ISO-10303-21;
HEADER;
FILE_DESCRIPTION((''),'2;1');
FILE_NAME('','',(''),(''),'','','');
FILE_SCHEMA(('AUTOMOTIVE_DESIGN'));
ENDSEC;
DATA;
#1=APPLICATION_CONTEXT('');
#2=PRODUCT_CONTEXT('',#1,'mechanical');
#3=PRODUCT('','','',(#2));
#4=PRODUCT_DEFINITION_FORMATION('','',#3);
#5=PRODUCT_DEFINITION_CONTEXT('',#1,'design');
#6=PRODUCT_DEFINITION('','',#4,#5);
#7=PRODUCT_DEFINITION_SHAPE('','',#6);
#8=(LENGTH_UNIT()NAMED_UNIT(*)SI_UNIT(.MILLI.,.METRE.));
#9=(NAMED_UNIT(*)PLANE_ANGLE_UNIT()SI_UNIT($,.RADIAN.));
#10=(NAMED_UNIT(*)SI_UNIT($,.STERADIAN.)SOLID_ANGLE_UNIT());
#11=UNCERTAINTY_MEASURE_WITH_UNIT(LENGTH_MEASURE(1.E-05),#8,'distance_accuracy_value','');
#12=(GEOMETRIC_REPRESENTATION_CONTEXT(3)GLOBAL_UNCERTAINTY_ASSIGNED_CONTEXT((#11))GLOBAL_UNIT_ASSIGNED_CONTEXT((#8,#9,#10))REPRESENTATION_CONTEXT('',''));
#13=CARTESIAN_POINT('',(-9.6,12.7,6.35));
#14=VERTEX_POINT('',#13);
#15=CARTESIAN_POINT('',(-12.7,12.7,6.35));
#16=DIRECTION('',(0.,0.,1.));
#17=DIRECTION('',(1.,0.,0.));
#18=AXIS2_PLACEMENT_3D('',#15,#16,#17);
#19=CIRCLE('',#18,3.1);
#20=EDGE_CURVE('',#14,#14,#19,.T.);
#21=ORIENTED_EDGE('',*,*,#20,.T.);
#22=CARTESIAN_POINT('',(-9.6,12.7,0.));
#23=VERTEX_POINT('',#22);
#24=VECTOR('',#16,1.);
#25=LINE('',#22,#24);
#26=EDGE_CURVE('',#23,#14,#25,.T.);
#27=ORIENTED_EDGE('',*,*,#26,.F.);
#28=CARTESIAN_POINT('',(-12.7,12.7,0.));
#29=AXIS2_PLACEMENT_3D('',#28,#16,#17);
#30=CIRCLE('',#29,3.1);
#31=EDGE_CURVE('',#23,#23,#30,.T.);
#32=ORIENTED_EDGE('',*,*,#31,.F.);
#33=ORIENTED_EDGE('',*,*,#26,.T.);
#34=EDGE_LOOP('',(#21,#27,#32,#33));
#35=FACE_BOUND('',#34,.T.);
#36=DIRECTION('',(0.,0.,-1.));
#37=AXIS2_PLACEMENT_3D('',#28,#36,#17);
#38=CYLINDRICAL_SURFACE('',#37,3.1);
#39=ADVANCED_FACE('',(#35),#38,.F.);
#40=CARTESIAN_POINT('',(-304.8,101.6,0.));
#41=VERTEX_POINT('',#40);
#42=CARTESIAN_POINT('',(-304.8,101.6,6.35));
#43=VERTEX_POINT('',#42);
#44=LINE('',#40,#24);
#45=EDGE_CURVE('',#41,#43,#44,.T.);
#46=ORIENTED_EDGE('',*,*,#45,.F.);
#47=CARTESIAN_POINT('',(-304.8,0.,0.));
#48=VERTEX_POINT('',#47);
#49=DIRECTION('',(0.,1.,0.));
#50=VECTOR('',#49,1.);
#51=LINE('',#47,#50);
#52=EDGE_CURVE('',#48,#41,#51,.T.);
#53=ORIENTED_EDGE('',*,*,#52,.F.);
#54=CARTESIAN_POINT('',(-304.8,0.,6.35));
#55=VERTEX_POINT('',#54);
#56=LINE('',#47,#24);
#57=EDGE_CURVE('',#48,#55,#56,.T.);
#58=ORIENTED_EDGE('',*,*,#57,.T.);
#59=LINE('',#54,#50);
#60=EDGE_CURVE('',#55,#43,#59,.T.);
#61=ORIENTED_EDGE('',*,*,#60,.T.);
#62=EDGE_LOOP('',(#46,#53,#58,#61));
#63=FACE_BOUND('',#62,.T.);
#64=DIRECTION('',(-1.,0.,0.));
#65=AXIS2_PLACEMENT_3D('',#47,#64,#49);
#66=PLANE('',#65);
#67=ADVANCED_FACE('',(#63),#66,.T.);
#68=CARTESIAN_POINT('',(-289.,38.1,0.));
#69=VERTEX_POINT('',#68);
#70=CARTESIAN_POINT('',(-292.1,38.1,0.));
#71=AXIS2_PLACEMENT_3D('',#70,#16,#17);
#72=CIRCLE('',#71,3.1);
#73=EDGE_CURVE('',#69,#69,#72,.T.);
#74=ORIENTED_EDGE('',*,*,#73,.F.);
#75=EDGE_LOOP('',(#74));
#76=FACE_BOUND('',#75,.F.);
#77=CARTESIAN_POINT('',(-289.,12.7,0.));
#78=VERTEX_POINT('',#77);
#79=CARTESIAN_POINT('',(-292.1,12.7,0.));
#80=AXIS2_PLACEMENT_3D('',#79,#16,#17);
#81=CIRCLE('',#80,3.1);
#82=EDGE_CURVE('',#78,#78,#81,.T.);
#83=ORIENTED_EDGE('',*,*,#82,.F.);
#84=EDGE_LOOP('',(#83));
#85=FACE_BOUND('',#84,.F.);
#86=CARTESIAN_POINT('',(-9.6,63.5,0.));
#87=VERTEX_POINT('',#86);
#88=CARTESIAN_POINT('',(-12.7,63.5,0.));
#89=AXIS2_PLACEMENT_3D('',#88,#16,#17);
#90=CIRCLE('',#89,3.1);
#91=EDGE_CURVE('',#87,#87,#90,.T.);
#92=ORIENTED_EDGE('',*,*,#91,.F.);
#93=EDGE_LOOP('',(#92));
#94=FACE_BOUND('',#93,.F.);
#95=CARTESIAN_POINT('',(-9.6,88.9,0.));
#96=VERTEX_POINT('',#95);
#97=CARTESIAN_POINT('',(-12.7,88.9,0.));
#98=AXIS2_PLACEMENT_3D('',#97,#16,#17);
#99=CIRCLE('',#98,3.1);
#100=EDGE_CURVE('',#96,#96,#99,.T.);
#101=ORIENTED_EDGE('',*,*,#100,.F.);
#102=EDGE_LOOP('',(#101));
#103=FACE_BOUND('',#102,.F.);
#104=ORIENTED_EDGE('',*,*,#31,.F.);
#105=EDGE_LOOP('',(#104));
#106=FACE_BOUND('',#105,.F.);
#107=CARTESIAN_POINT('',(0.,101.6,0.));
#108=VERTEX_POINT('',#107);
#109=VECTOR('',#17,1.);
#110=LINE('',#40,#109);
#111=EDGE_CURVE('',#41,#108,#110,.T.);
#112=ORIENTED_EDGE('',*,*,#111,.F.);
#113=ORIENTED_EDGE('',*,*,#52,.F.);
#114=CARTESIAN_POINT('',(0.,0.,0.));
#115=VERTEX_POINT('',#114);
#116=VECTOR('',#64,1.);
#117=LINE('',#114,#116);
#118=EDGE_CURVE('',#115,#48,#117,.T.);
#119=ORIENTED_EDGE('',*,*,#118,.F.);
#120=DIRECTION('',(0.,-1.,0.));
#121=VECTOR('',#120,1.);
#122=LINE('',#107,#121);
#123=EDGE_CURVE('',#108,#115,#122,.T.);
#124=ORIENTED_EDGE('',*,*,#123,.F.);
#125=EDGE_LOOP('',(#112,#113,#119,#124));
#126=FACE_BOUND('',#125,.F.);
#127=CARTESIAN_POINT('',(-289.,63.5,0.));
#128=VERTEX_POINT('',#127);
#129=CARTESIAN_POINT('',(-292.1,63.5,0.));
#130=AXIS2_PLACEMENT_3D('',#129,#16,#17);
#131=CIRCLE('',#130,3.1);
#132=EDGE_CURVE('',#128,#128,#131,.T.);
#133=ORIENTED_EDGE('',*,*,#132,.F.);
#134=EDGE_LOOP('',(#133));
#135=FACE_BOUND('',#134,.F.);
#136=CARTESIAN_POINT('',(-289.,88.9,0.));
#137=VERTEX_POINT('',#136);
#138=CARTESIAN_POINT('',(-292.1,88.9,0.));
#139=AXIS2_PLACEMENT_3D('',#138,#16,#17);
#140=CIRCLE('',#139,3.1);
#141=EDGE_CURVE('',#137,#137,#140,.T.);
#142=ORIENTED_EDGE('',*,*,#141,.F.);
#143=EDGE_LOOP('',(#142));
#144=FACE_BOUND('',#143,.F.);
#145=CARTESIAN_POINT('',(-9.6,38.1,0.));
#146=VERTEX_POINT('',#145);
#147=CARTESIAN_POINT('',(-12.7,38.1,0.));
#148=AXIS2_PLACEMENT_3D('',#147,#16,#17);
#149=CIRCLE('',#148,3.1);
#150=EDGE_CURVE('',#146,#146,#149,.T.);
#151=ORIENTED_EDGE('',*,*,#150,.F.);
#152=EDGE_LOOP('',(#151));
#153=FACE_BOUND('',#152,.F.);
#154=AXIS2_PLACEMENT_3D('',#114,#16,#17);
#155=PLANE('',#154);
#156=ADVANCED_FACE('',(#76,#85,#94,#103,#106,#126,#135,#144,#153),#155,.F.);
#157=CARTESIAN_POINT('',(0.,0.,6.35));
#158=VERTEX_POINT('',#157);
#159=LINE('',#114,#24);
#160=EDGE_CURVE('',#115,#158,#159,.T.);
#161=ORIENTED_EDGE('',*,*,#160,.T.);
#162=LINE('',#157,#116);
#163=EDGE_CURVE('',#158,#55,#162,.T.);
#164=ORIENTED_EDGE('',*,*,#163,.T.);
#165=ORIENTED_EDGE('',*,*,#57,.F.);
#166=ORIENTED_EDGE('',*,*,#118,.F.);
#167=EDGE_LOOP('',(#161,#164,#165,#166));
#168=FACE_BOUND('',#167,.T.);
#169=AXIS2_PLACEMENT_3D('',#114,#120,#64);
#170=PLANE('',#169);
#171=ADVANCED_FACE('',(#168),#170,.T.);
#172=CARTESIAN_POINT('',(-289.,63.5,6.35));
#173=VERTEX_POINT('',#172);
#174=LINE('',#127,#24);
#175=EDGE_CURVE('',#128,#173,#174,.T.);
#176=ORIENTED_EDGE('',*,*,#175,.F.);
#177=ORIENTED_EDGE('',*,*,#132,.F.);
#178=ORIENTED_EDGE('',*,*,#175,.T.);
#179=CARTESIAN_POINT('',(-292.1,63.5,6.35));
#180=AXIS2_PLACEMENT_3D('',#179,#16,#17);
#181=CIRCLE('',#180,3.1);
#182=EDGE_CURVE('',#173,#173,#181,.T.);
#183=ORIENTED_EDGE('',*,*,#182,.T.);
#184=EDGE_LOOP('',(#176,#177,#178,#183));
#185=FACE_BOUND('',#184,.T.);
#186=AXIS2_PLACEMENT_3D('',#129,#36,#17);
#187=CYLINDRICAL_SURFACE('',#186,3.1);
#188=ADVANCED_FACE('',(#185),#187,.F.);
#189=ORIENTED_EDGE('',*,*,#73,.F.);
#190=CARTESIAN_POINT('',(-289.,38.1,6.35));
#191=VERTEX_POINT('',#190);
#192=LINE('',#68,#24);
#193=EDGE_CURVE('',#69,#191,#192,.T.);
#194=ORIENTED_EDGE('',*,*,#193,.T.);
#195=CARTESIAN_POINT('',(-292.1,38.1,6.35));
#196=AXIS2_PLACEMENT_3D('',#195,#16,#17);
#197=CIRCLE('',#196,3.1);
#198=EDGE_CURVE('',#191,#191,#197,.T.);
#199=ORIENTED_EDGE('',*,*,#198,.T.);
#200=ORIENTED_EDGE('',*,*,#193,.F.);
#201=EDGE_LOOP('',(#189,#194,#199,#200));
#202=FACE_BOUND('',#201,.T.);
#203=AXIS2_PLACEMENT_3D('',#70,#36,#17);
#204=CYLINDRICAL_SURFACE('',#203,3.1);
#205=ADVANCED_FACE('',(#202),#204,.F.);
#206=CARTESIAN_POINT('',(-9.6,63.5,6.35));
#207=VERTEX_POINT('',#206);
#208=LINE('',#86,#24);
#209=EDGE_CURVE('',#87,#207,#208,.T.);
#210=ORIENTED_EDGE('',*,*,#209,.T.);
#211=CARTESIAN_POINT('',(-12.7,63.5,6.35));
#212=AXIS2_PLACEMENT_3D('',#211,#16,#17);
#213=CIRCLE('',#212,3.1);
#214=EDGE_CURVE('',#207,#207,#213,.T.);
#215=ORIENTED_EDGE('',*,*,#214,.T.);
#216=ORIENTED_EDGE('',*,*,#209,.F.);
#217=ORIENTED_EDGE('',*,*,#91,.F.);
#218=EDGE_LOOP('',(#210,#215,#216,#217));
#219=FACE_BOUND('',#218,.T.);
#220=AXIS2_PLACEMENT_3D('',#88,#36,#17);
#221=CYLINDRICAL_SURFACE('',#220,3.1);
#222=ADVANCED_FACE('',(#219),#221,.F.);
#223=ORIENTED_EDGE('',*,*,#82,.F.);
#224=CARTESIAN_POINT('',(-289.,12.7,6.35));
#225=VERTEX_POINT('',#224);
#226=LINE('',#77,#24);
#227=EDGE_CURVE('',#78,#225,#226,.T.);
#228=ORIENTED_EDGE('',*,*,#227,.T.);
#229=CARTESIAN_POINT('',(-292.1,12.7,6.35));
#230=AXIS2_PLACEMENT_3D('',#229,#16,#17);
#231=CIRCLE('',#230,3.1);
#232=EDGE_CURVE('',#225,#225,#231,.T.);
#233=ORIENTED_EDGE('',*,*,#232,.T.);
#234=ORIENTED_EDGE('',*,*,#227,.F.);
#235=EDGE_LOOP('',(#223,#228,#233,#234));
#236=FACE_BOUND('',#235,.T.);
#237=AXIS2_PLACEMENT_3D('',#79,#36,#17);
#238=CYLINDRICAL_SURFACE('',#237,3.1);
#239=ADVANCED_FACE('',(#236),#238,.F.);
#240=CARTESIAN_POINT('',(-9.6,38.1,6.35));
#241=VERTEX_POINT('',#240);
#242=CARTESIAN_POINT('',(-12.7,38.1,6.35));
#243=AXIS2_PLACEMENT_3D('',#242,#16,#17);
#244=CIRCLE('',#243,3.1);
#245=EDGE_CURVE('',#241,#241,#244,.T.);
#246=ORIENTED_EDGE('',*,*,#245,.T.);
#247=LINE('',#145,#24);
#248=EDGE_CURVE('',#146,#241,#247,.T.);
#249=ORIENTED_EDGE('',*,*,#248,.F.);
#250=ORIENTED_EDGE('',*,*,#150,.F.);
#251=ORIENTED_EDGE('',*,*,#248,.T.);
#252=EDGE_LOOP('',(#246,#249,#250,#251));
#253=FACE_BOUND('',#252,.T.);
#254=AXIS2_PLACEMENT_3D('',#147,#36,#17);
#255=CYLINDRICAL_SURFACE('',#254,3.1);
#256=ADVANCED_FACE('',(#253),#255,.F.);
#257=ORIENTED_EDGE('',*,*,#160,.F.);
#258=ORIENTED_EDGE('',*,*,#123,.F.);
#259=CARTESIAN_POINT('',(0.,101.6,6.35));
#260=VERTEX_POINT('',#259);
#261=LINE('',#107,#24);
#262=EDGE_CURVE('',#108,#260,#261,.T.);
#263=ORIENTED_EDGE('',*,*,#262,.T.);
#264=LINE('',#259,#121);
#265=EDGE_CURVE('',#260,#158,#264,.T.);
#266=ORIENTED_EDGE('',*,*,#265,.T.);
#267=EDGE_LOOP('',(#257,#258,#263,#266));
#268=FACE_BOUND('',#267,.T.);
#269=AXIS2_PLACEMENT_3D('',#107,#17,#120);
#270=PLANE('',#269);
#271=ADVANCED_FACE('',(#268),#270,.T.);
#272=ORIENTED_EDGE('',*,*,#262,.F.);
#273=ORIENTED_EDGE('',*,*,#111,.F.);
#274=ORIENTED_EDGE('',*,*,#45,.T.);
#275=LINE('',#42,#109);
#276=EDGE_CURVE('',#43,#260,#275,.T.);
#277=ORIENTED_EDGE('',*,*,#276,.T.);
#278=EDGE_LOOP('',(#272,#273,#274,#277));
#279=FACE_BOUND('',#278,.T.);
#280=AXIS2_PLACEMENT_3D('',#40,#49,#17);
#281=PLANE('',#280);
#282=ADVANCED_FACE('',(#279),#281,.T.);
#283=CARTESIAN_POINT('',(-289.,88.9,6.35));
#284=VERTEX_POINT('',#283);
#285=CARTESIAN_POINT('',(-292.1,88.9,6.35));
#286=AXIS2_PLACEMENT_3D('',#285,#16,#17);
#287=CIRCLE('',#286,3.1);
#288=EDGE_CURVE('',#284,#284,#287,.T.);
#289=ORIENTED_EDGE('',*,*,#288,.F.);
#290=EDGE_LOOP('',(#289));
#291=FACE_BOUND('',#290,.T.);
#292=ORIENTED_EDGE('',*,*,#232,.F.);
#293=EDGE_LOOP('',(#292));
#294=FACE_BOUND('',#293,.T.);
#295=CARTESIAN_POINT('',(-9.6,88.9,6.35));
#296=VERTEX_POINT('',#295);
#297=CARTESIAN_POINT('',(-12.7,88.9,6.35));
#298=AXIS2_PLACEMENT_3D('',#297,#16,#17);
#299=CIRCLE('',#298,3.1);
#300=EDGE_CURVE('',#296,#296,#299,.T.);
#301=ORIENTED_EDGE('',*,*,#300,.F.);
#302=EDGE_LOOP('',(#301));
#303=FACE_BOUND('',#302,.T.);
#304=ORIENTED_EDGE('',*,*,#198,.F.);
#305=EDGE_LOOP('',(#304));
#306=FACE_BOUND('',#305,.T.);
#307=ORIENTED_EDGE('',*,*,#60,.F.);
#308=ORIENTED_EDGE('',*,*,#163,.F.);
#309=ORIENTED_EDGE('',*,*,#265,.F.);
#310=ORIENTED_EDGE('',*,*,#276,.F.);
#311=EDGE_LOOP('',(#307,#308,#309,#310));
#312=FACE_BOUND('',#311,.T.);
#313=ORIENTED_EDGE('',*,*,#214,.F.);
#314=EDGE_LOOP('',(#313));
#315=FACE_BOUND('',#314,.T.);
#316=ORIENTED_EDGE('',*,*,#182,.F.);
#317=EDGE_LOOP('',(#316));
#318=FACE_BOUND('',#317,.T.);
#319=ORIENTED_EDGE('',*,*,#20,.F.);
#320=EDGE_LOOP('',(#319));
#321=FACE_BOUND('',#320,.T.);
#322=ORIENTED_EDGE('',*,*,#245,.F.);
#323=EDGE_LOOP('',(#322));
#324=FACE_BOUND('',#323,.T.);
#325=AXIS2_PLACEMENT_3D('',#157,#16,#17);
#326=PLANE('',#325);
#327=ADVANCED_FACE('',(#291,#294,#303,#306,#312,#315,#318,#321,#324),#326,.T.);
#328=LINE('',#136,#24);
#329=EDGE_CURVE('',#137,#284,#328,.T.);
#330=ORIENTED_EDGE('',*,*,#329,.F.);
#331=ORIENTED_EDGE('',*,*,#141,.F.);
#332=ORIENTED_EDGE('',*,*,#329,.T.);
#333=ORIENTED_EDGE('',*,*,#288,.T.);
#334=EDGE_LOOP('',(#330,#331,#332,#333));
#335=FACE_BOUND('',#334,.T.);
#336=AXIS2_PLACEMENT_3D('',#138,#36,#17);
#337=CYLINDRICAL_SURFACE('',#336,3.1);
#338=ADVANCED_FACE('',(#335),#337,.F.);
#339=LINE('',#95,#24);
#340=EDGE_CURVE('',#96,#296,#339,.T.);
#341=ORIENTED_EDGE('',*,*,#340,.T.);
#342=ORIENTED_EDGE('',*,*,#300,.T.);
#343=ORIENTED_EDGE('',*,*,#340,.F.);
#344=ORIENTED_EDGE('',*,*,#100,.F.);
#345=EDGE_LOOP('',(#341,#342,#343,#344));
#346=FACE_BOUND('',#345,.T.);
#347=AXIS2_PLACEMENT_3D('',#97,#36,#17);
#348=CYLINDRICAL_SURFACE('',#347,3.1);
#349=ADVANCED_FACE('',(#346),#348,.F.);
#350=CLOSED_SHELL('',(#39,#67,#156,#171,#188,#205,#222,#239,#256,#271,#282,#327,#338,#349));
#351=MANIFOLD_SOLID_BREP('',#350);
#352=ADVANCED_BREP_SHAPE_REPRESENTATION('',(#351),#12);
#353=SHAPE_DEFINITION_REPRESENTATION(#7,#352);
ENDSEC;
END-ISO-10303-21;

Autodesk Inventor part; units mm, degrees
ref_plane "YZ Plane" through (0, 0, 0) normal (1, 0, 0) x (0, 1, 0)
ref_plane "XZ Plane" through (0, 0, 0) normal (0, 1, 0) x (-1, 0, 0)
ref_plane "XY Plane" through (0, 0, 0) normal (0, 0, 1) x (1, 0, 0)
sketch "Sketch1" plane through (0, 0, 0) normal (0, 0, 1) x (1, 0, 0)
  line L0 (0, 0) -> (-304.8, 0)
  line L1 (-304.8, 0) -> (-304.8, 101.6)
  line L2 (-304.8, 101.6) -> (0, 101.6)
  line L3 (0, 101.6) -> (0, 0)
  circle A0 centre (-292.1, 88.9) radius 3.1
  circle A1 centre (-292.1, 63.5) radius 3.1
  circle A2 centre (-292.1, 38.1) radius 3.1
  circle A3 centre (-292.1, 12.7) radius 3.1
  line L4 (-152.4, 101.6) -> (-152.4, 63.5) construction
  circle A4 centre (-12.7, 88.9) radius 3.1
  circle A5 centre (-12.7, 63.5) radius 3.1
  circle A6 centre (-12.7, 38.1) radius 3.1
  circle A7 centre (-12.7, 12.7) radius 3.1
  dimension "d0" = 304.8
  dimension "d1" = 101.6
  dimension "d2" = 6.2
  dimension "d3" = 12.7
  dimension "d4" = 12.7
  dimension "d7" = 25.4
extrude "Extrusion1" add sketch "Sketch1" along normal blind 6.35
properties part number "shortsides"
